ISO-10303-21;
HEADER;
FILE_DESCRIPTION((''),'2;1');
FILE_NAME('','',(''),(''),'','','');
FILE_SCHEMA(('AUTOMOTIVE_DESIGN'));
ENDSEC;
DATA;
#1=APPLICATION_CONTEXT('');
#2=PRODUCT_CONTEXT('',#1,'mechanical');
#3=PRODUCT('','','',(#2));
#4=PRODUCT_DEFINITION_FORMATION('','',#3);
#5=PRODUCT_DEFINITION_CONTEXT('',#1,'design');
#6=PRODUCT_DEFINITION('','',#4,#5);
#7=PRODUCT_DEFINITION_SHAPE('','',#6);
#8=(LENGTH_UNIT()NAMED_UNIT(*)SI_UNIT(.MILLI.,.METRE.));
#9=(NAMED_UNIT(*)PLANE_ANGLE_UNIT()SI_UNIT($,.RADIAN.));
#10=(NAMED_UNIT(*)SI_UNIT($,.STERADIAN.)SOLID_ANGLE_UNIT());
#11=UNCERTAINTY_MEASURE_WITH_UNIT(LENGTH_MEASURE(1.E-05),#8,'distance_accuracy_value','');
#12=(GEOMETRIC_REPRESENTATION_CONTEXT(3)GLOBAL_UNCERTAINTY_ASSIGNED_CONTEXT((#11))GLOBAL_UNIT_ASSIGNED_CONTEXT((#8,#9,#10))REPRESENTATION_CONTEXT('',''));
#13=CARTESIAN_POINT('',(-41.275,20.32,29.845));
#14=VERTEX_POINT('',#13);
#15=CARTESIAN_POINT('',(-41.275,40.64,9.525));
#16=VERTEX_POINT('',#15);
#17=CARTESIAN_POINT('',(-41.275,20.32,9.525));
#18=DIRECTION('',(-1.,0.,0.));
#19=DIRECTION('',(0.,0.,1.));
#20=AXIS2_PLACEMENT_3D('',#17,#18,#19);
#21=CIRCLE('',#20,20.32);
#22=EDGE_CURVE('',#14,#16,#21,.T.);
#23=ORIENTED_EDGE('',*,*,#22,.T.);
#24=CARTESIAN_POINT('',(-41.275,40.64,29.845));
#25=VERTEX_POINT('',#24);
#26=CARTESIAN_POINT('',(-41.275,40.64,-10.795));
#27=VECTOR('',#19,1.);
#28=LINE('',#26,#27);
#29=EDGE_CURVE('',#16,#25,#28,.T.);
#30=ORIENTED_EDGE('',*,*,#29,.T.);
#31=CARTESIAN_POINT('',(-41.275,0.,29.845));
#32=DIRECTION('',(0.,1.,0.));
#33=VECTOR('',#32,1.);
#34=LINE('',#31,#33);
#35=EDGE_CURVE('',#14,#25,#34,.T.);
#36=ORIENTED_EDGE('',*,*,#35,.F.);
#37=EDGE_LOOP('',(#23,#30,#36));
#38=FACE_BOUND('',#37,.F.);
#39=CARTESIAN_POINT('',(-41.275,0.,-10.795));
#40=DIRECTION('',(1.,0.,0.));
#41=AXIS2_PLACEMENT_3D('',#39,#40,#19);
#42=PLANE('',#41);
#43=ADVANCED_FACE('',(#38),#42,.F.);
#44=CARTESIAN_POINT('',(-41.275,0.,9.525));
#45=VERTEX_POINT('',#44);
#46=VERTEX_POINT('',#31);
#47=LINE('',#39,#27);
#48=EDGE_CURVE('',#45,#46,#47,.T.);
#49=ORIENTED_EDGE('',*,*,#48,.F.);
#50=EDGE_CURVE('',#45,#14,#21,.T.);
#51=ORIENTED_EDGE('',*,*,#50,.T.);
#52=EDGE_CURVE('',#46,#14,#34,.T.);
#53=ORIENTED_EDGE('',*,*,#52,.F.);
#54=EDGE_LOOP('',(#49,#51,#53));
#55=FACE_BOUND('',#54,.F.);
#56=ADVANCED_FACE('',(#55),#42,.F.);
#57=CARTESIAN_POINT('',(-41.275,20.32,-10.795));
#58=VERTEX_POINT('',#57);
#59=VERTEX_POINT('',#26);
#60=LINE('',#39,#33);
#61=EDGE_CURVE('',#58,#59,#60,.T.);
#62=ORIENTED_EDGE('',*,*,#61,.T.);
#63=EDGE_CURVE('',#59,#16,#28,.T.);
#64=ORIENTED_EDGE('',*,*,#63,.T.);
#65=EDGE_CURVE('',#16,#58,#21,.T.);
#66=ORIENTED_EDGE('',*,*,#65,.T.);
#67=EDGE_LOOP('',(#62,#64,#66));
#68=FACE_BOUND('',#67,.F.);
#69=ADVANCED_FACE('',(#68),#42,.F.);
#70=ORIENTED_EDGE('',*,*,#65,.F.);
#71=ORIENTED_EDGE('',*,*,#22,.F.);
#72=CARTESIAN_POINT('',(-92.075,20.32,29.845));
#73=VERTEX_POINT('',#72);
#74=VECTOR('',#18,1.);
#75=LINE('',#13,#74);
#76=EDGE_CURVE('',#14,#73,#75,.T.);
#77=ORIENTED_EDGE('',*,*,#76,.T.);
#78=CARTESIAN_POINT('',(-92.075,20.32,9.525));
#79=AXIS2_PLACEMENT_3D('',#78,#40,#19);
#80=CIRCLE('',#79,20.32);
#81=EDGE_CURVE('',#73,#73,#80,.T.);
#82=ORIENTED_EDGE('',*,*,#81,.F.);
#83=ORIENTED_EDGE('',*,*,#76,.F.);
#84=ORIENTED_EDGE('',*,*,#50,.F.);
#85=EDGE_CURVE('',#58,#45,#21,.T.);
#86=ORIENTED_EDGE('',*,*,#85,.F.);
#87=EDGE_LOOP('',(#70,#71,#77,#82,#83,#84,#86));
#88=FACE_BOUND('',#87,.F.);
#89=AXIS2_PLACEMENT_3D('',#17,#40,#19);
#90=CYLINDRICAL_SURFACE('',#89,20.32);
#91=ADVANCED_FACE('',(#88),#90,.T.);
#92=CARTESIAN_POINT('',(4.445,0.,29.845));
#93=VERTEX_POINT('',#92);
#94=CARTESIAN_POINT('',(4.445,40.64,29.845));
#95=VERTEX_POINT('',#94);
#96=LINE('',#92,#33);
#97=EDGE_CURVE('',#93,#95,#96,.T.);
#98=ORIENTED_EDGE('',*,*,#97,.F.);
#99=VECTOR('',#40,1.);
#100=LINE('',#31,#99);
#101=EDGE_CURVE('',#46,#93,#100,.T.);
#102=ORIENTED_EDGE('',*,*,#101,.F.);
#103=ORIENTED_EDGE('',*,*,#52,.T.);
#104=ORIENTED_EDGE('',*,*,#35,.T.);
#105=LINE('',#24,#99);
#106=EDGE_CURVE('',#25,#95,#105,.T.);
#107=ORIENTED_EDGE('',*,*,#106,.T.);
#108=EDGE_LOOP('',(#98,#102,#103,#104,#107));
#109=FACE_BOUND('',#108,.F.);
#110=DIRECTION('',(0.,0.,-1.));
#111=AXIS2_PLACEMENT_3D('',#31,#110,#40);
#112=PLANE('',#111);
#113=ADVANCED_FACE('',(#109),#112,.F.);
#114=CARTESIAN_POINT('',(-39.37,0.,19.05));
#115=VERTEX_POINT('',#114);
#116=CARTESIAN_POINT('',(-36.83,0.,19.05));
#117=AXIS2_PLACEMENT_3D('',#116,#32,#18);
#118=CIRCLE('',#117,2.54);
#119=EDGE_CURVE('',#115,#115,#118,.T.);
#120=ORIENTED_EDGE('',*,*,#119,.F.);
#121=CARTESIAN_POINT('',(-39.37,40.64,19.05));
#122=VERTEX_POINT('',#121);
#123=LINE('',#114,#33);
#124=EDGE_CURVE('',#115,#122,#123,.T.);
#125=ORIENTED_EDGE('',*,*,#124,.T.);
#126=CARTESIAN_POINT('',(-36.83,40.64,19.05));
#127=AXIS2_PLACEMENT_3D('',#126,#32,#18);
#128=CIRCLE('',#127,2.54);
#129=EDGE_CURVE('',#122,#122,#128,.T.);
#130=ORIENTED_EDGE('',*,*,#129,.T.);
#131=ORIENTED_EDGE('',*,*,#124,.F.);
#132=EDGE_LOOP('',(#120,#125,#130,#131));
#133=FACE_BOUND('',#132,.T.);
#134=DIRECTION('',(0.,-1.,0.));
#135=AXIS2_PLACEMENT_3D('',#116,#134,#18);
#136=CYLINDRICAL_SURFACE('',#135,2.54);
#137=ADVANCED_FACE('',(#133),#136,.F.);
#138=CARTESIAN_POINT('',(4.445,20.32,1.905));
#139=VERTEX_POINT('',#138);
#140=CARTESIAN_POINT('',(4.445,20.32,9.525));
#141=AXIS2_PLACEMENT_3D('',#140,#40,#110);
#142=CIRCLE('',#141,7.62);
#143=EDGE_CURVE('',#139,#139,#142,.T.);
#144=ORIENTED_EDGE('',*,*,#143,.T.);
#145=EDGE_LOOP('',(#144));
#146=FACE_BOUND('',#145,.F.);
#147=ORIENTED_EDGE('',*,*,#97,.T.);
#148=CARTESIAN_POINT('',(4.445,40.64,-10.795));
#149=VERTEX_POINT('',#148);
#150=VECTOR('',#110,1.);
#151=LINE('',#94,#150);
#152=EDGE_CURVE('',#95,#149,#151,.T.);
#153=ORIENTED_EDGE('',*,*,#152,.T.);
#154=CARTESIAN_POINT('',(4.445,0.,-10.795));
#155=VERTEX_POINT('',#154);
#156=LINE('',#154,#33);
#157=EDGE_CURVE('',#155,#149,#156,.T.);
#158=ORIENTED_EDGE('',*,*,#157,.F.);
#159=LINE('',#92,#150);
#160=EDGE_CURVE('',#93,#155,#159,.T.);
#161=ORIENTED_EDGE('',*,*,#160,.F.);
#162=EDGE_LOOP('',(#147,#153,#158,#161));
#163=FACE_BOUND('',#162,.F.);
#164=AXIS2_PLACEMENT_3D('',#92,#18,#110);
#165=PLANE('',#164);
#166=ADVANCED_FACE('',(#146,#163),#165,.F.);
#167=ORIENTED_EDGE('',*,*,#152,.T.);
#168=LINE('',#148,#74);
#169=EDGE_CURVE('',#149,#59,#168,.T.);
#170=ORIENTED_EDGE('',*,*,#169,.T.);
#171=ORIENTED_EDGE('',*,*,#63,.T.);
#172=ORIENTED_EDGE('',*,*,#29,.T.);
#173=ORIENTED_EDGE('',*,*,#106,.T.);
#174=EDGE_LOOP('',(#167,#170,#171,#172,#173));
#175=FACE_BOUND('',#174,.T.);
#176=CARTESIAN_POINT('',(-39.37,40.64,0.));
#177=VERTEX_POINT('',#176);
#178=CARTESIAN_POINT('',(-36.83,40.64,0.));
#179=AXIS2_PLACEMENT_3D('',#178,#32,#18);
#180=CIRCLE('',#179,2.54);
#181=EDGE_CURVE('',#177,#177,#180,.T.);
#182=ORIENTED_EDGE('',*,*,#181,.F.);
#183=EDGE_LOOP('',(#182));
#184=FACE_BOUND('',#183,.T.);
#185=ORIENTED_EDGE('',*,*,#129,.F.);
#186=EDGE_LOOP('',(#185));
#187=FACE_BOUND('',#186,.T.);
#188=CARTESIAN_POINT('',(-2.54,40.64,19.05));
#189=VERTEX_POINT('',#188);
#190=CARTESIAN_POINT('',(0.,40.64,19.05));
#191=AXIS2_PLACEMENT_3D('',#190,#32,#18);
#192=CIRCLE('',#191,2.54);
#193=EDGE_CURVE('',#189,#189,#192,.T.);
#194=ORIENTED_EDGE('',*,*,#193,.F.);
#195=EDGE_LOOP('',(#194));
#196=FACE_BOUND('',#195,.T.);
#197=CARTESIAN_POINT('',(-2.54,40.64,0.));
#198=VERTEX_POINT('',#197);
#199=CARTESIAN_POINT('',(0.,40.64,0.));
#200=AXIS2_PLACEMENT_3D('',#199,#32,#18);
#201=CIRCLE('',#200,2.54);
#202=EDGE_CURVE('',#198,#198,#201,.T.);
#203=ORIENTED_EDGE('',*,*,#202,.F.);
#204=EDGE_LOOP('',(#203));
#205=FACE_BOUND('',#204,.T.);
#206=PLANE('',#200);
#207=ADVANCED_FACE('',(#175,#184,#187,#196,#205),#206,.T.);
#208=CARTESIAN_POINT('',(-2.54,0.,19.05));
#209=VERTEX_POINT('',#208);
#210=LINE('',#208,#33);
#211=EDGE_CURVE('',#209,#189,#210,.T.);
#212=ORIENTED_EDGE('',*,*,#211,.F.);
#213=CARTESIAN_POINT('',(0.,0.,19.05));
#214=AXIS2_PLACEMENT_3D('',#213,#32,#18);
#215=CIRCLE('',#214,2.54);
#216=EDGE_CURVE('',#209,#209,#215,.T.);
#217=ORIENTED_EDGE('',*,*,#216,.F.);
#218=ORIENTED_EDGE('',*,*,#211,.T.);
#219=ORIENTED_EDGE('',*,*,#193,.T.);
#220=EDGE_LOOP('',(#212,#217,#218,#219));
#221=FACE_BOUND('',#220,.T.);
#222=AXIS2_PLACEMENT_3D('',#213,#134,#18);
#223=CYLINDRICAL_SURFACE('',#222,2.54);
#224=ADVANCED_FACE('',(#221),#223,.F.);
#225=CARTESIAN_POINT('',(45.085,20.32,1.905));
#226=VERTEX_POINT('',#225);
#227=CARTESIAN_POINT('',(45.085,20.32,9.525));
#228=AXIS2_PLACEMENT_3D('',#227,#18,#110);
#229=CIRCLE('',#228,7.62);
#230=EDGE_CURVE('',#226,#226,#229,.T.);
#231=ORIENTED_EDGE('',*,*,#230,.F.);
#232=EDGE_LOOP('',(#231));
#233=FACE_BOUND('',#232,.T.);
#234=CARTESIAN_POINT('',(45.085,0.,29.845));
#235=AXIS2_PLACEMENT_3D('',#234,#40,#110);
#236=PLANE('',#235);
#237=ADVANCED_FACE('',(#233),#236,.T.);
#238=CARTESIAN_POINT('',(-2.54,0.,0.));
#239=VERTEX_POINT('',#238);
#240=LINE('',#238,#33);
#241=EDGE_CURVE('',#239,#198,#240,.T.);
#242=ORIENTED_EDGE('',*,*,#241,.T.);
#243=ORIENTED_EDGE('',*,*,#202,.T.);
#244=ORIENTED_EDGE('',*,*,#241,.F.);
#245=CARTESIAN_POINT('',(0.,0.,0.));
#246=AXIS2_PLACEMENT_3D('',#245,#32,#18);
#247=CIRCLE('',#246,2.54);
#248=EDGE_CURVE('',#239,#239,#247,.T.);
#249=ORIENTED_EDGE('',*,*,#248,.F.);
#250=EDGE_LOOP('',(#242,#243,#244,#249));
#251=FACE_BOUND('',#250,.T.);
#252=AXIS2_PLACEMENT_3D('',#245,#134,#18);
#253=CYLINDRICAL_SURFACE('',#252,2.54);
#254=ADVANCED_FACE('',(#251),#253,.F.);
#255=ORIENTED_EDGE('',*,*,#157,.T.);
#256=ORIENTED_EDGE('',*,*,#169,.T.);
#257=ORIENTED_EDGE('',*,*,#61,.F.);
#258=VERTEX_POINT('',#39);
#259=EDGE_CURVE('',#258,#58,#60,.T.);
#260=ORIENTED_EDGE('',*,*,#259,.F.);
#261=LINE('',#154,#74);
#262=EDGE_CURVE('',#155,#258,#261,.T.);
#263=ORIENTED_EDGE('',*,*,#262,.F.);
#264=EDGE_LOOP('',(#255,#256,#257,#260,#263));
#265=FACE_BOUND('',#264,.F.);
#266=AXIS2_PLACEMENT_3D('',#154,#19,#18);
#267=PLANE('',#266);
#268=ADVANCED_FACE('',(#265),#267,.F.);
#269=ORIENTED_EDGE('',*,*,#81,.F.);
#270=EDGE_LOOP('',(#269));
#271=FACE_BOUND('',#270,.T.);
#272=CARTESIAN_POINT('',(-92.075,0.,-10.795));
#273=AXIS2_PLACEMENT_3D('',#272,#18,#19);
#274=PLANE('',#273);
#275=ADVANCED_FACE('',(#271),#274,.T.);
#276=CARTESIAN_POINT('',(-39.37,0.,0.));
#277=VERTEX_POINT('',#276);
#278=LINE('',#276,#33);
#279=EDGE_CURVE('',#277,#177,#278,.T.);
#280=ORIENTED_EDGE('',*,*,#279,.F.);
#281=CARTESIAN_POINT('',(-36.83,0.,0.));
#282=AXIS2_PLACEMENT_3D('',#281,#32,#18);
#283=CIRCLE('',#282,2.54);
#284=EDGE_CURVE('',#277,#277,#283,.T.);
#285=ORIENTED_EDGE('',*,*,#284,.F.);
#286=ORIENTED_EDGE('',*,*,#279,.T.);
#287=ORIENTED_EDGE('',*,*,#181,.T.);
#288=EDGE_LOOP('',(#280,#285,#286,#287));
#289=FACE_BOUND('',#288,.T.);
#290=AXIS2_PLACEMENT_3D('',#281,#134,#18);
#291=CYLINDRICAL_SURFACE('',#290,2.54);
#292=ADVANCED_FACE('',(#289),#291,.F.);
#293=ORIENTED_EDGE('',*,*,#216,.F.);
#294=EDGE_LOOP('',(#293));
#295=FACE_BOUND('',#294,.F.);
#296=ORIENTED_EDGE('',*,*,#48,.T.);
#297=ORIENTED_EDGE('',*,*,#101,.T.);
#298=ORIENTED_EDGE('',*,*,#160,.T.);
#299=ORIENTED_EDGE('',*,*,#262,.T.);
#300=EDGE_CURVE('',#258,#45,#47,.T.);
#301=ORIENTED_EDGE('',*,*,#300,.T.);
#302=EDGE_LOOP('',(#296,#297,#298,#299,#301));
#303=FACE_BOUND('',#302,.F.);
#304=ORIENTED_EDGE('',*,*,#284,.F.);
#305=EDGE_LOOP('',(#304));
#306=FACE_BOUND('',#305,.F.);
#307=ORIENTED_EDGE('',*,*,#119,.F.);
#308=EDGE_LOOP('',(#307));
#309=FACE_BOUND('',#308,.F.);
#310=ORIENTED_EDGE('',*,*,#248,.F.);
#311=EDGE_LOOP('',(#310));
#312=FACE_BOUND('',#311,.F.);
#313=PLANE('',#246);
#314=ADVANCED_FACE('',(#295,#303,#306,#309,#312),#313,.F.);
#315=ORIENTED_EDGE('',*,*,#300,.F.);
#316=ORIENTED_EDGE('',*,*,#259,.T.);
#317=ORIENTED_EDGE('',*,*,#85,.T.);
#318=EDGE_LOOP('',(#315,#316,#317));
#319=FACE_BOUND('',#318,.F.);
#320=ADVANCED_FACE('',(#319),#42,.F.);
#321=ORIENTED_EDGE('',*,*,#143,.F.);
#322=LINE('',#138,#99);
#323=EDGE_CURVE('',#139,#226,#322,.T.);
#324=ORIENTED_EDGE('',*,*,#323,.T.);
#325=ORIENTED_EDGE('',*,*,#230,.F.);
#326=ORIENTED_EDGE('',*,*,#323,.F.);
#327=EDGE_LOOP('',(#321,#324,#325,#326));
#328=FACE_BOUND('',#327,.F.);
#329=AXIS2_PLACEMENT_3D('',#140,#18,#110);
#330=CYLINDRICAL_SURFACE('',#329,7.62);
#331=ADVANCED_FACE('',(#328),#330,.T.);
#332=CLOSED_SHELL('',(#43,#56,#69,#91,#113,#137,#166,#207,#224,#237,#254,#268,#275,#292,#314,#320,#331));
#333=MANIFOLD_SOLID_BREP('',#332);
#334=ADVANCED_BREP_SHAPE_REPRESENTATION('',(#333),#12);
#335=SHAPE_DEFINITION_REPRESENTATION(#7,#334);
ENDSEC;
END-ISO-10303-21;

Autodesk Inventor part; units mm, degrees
ref_plane "YZ Plane" through (0, 0, 0) normal (1, 0, 0) x (0, 1, 0)
ref_plane "XZ Plane" through (0, 0, 0) normal (0, 1, 0) x (-1, 0, 0)
ref_plane "XY Plane" through (0, 0, 0) normal (0, 0, 1) x (1, 0, 0)
sketch "Sketch1" plane through (0, 0, 0) normal (0, 1, 0) x (-1, 0, 0)
  line L0 (41.275, 29.845) -> (-4.445, 29.845)
  line L1 (-4.445, 29.845) -> (-4.445, -10.795)
  line L2 (-4.445, -10.795) -> (41.275, -10.795)
  line L3 (41.275, -10.795) -> (41.275, 29.845)
  circle A0 centre (36.83, 19.05) radius 2.54
  circle A1 centre (36.83, 0) radius 2.54
  circle A2 centre (0, 0) radius 2.54
  circle A3 centre (0, 19.05) radius 2.54
  dimension "d1" = 19.05
  dimension "d2" = 36.83
  dimension "d20" = 40.64
  dimension "d21" = 45.72
  dimension "d22" = 10.795
  dimension "d23" = 4.445
  dimension "d24" = 19.05
  dimension "d25" = 10.795
  dimension "d26" = 36.83
  dimension "d27" = 4.445
  dimension "d28" = 4.445
  dimension "d31" = 5.08
  dimension "d32" = 5.08
  dimension "d33" = 5.08
  dimension "d34" = 5.08
extrude "Extrusion5" add sketch "Sketch1" along normal blind 40.64
sketch "Sketch4" plane through (0, 40.64, 0) normal (0, 1, 0) x (1, 0, 0)
  point P0 (0, 0)
  point P1 (-18.4878, -9.5896)
sketch "Sketch5" plane through (4.445, 0, 29.845) normal (1, 0, 0) x (0, 0, -1)
  line L0 (0, 40.64) -> (40.64, 0)
  line L1 (40.64, 40.64) -> (0, 0)
  circle A0 centre (20.32, 20.32) radius 7.62
  point P0 (29.845, 0)
  dimension "d38" = 15.24
extrude "Extrusion6" add sketch "Sketch5" along normal blind 40.64
sketch "Sketch6" plane through (-41.275, 0, -10.795) normal (-1, 0, 0) x (0, 0, 1)
  line L0 (0, 40.64) -> (40.64, 0)
  line L1 (40.64, 40.64) -> (0, 0)
  circle A0 centre (20.32, 20.32) radius 20.32
  point P0 (10.795, 0)
  dimension "d41" = 40.64
extrude "Extrusion7" add sketch "Sketch6" along normal blind 50.8
properties part number "P60 Gear Box"
